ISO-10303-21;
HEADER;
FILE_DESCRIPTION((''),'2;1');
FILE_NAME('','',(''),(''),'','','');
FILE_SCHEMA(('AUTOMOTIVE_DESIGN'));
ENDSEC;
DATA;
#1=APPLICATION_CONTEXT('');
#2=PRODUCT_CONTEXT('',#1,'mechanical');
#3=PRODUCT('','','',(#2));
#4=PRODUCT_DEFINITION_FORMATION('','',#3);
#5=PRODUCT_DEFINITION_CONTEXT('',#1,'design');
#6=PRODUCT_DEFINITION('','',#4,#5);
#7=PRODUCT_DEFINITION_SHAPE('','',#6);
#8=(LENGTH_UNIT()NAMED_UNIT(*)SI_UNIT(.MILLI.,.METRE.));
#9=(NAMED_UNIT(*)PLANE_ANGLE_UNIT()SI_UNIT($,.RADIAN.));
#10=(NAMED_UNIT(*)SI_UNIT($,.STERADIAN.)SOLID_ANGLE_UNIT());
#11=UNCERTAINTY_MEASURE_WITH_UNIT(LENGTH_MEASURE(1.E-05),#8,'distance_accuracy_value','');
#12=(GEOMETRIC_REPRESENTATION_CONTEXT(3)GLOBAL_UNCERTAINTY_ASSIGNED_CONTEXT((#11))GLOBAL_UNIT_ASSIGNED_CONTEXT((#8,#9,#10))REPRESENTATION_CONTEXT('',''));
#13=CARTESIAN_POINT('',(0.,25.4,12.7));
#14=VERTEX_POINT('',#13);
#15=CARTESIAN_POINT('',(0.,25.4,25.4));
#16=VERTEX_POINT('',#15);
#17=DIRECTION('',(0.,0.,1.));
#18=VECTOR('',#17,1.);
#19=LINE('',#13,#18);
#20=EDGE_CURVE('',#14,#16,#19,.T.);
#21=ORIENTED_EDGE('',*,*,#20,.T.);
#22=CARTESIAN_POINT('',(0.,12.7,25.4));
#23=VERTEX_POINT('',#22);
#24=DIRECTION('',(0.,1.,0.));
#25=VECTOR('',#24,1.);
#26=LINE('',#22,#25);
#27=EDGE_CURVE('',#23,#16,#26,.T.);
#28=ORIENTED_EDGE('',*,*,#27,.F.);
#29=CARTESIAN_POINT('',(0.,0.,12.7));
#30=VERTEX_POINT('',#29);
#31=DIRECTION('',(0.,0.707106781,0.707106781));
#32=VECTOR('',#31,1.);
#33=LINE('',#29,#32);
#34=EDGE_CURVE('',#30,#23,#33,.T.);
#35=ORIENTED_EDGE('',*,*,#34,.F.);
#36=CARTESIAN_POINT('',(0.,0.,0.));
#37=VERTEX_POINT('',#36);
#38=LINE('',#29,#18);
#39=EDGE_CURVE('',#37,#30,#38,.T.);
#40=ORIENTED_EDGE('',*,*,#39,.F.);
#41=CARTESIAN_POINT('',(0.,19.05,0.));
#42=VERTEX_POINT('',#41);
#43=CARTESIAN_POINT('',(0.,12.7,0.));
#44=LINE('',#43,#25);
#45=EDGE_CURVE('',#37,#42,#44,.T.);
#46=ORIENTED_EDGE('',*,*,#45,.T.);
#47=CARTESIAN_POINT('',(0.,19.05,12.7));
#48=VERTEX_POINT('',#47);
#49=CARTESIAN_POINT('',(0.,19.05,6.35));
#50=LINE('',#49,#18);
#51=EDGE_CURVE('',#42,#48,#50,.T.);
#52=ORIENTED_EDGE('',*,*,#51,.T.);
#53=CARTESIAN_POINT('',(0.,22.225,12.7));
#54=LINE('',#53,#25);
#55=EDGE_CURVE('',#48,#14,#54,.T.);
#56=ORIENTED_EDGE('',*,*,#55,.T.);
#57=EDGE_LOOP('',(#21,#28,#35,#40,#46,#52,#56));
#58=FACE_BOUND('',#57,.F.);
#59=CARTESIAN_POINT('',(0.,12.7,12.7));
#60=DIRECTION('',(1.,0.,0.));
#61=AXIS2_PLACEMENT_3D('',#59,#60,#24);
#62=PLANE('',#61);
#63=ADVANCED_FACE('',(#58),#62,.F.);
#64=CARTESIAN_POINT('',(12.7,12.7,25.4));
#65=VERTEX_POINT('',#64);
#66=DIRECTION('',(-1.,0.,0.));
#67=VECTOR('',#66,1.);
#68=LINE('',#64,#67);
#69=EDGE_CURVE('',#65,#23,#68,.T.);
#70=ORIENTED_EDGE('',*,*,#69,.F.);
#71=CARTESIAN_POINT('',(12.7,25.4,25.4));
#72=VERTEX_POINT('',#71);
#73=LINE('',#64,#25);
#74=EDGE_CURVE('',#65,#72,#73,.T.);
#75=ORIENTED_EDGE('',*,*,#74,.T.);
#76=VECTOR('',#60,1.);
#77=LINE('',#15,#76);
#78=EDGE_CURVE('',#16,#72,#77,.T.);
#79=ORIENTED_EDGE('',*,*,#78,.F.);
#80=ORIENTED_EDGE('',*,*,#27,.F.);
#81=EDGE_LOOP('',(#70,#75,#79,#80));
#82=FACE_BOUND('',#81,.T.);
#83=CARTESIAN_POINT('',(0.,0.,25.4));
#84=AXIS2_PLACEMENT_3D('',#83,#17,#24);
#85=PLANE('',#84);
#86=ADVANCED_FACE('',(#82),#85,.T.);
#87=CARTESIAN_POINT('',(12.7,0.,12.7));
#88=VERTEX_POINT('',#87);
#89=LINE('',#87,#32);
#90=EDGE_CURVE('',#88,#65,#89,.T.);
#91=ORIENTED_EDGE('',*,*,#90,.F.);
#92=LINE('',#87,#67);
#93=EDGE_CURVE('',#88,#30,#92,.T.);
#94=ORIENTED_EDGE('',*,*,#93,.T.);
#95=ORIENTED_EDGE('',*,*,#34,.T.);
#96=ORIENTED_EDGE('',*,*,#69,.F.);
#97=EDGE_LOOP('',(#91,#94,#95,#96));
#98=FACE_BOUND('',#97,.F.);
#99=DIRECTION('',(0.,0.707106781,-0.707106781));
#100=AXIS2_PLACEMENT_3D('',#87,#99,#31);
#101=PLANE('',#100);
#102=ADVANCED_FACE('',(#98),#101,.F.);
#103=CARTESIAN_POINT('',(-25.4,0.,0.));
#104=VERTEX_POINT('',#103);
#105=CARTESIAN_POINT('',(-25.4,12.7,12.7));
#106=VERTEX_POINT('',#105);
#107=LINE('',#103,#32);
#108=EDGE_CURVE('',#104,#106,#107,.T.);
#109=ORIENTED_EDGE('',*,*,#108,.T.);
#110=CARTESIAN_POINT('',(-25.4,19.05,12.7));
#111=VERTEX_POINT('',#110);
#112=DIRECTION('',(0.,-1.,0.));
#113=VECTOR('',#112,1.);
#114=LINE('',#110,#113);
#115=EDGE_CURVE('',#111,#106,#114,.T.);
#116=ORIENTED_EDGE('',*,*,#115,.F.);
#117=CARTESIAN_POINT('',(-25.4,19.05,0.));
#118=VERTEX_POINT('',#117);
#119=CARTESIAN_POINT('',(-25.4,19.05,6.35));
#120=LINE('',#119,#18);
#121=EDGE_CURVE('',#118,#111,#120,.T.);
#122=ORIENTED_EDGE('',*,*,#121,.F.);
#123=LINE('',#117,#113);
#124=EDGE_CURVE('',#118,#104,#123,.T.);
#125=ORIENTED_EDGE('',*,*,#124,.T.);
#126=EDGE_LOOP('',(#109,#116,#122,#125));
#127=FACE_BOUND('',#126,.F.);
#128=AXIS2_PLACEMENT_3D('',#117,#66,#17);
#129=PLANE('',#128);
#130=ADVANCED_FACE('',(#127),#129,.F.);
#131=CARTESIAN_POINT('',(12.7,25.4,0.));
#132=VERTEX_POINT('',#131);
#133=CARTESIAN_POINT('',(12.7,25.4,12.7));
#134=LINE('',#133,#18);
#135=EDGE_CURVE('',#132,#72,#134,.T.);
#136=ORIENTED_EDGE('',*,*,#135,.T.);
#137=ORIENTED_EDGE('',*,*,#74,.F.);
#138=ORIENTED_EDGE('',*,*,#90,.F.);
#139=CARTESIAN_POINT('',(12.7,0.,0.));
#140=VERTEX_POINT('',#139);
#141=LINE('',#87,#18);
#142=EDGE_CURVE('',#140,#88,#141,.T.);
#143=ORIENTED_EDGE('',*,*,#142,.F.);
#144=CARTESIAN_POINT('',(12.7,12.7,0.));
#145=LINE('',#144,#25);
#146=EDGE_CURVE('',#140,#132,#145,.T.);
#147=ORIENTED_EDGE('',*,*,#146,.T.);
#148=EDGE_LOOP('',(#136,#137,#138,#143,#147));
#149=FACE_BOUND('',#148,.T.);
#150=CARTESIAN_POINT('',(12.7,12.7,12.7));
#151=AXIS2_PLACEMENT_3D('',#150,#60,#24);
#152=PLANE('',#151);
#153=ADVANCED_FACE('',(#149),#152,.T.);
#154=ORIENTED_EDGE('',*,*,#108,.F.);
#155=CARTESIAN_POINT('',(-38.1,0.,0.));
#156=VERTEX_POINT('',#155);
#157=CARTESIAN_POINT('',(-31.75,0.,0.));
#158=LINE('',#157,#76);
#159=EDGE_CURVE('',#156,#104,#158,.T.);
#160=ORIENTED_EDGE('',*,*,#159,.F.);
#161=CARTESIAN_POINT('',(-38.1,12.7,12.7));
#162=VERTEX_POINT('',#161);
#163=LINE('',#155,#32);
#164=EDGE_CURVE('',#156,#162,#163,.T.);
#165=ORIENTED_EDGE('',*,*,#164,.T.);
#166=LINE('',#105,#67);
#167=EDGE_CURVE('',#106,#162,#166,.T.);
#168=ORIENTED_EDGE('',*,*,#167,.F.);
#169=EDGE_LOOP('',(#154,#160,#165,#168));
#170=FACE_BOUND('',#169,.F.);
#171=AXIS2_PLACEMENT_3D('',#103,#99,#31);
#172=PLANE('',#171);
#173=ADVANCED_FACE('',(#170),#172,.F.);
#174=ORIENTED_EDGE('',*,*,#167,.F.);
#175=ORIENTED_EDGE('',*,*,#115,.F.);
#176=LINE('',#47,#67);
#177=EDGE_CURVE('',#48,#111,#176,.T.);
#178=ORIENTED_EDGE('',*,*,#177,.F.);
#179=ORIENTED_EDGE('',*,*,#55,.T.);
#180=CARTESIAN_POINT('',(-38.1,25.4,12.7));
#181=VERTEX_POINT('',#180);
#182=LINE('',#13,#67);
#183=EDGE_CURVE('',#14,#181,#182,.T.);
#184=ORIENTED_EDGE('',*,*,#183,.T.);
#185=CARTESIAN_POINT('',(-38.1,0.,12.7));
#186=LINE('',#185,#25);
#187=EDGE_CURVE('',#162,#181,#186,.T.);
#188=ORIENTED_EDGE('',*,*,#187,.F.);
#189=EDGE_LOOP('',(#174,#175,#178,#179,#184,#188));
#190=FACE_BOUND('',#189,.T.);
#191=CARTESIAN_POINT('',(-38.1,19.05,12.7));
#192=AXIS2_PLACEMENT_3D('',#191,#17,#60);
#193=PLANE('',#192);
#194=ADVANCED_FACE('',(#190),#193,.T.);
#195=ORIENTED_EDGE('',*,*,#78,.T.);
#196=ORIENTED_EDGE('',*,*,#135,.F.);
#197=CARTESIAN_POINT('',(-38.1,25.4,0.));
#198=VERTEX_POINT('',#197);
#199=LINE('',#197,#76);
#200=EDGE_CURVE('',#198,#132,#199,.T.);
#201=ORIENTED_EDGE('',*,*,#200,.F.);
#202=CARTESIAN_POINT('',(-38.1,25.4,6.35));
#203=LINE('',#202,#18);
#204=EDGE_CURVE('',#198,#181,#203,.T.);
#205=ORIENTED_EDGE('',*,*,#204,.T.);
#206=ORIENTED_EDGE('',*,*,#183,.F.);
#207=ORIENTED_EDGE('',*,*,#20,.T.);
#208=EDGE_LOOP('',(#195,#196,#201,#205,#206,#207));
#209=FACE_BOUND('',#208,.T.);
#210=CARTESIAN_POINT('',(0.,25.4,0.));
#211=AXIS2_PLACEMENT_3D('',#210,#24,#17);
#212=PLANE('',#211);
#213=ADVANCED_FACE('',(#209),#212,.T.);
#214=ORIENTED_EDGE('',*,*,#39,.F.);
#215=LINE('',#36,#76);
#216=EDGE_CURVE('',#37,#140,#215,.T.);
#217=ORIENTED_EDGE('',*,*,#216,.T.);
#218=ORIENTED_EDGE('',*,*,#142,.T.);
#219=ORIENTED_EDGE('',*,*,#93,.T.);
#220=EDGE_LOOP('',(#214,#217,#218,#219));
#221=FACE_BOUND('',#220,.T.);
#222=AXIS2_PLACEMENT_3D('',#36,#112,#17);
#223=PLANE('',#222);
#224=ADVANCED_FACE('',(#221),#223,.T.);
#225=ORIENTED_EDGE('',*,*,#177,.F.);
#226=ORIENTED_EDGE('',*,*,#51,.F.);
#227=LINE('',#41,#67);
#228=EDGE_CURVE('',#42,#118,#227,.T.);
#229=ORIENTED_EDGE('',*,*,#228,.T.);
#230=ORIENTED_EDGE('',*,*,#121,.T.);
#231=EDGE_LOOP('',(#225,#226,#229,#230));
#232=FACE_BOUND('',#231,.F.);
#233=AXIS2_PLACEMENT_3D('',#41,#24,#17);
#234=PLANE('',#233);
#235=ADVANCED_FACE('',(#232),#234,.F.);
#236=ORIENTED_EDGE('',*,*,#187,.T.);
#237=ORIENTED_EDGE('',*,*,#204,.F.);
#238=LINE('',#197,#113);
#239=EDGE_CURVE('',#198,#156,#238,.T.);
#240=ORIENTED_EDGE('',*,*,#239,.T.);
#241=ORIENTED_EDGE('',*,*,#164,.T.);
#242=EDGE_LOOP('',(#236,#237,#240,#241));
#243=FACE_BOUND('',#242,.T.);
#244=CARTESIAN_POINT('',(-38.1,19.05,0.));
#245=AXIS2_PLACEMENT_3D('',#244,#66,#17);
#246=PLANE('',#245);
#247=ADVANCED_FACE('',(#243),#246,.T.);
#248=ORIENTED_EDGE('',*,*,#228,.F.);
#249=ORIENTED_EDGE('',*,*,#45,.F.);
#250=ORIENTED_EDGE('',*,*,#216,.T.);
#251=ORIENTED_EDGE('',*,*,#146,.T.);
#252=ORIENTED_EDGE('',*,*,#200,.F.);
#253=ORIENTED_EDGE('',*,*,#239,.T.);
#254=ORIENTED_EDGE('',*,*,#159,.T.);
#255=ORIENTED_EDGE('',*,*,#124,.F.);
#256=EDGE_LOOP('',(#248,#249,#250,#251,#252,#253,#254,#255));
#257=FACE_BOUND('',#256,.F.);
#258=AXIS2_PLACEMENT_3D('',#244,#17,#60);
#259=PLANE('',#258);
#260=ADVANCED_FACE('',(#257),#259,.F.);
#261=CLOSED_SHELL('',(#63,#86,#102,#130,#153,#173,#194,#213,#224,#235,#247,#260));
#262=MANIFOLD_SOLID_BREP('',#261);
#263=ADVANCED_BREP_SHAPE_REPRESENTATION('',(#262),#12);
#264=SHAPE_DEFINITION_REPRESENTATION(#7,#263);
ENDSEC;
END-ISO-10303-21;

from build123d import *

# Parameters (mm, degrees)
F0_W     = 25.4
F0_H     = 25.4
F1_DEPTH = 12.7
F2_W     = 6.35
F2_H     = 12.7
F3_DEPTH = 38.1
F4_W     = 12.7
F4_H     = 12.7
F5_DEPTH = 19.05
F7_DEPTH = 12.7
F9_DEPTH = 12.7


with BuildPart() as f1:
    # F0 (on Right) → F1 (new body)
    with BuildSketch(Plane.YZ):
        with Locations((12.7, 12.7)):
            Rectangle(F0_W, F0_H)
    extrude(amount=F1_DEPTH)

    # F2 (on Right) → F3 (join)
    with BuildSketch(Plane.YZ):
        with Locations((22.225, 6.35)):
            Rectangle(F2_W, F2_H)
    extrude(amount=-F3_DEPTH)

    # F4 (on face) → F5 (join)
    with BuildSketch(Plane.XZ.offset(-19.05)):
        with Locations((-31.75, 6.35)):
            Rectangle(F4_W, F4_H)
    extrude(amount=F5_DEPTH)

    # F6 (on face) → F7 (cut)
    with BuildSketch(Plane.YZ.offset(12.7)):
        Polygon((12.7, 25.4), (0, 25.4), (0, 12.7), align=None)
    extrude(amount=-F7_DEPTH, mode=Mode.SUBTRACT)

    # F8 (on face) → F9 (cut)
    with BuildSketch(Plane.YZ.offset(-25.4)):
        Polygon((12.7, 12.7), (0, 12.7), (0, 0), align=None)
    extrude(amount=-F9_DEPTH, mode=Mode.SUBTRACT)


solid = f1.part
